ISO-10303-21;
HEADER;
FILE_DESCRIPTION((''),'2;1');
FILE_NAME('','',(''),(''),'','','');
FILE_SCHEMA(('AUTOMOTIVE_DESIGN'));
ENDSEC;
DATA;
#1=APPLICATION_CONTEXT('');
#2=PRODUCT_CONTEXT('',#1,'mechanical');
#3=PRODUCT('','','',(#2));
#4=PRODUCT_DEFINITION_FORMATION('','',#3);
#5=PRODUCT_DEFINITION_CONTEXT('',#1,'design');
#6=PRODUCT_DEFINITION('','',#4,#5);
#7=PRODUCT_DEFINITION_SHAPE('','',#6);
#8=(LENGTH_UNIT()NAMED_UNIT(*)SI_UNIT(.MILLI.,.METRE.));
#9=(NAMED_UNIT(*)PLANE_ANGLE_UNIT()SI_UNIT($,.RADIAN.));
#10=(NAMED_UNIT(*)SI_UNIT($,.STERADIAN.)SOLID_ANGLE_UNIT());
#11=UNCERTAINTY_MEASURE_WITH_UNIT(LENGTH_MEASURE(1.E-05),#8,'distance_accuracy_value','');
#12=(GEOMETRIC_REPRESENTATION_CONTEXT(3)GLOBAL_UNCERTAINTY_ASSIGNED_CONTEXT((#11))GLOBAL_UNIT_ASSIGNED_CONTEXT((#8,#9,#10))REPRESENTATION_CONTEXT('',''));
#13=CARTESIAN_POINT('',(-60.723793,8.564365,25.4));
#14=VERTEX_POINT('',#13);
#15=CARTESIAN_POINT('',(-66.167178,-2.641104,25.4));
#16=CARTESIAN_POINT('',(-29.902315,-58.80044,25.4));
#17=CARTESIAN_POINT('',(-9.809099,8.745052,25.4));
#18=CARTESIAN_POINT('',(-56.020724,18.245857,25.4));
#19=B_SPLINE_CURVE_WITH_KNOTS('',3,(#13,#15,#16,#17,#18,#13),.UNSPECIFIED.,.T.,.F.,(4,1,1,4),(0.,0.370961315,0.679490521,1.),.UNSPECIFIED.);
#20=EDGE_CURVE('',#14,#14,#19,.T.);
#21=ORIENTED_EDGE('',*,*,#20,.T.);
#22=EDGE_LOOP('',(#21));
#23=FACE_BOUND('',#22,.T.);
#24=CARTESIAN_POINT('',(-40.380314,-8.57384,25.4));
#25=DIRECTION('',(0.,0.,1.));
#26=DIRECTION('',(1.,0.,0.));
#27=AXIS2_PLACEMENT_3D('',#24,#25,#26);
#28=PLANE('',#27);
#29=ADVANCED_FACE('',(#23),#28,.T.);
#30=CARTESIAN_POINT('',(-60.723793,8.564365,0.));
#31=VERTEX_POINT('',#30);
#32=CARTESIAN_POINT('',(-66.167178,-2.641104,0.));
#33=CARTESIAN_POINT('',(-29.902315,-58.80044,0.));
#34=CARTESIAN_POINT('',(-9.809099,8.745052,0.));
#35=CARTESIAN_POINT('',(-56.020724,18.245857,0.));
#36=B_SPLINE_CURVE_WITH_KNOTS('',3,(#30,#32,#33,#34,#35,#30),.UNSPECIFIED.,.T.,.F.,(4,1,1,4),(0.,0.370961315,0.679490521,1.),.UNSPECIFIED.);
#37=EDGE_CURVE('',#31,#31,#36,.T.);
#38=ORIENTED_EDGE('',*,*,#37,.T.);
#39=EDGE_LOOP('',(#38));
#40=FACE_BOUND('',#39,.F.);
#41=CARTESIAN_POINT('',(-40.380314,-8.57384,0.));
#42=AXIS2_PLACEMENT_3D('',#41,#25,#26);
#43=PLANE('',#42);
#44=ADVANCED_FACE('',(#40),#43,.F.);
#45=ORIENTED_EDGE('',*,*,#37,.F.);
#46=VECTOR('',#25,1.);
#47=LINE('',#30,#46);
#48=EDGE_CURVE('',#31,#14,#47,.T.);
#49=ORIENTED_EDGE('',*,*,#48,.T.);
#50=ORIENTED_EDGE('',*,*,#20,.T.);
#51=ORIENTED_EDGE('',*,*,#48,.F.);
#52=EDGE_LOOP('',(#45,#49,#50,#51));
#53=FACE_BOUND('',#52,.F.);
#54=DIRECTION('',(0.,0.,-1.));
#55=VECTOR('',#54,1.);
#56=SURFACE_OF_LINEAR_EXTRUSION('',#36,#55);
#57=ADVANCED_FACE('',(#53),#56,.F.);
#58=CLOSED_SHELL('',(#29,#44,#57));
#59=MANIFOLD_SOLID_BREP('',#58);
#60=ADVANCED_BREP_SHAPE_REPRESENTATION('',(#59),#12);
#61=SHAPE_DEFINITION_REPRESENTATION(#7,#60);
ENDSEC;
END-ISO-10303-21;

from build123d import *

# Parameters (mm, degrees)
F1_DEPTH = 25.4


with BuildPart() as f1:
    # F0 (on Top) → F1 (new body)
    with BuildSketch(Plane.XY):
        with BuildLine():
            add(Edge.make_bspline(
                [(-60.7237927616, 8.5643650964), (-66.1671779099, -2.6411040094), (-29.9023147131, -58.8004395897), (-9.809099223, 8.7450515985), (-56.0207240883, 18.2458572718), (-60.7237927616, 8.5643650964)],
                knots=[0, 0, 0, 0, 0.3709613148, 0.6794905209, 1, 1, 1, 1], degree=3))
        make_face()
    extrude(amount=F1_DEPTH)


solid = f1.part
